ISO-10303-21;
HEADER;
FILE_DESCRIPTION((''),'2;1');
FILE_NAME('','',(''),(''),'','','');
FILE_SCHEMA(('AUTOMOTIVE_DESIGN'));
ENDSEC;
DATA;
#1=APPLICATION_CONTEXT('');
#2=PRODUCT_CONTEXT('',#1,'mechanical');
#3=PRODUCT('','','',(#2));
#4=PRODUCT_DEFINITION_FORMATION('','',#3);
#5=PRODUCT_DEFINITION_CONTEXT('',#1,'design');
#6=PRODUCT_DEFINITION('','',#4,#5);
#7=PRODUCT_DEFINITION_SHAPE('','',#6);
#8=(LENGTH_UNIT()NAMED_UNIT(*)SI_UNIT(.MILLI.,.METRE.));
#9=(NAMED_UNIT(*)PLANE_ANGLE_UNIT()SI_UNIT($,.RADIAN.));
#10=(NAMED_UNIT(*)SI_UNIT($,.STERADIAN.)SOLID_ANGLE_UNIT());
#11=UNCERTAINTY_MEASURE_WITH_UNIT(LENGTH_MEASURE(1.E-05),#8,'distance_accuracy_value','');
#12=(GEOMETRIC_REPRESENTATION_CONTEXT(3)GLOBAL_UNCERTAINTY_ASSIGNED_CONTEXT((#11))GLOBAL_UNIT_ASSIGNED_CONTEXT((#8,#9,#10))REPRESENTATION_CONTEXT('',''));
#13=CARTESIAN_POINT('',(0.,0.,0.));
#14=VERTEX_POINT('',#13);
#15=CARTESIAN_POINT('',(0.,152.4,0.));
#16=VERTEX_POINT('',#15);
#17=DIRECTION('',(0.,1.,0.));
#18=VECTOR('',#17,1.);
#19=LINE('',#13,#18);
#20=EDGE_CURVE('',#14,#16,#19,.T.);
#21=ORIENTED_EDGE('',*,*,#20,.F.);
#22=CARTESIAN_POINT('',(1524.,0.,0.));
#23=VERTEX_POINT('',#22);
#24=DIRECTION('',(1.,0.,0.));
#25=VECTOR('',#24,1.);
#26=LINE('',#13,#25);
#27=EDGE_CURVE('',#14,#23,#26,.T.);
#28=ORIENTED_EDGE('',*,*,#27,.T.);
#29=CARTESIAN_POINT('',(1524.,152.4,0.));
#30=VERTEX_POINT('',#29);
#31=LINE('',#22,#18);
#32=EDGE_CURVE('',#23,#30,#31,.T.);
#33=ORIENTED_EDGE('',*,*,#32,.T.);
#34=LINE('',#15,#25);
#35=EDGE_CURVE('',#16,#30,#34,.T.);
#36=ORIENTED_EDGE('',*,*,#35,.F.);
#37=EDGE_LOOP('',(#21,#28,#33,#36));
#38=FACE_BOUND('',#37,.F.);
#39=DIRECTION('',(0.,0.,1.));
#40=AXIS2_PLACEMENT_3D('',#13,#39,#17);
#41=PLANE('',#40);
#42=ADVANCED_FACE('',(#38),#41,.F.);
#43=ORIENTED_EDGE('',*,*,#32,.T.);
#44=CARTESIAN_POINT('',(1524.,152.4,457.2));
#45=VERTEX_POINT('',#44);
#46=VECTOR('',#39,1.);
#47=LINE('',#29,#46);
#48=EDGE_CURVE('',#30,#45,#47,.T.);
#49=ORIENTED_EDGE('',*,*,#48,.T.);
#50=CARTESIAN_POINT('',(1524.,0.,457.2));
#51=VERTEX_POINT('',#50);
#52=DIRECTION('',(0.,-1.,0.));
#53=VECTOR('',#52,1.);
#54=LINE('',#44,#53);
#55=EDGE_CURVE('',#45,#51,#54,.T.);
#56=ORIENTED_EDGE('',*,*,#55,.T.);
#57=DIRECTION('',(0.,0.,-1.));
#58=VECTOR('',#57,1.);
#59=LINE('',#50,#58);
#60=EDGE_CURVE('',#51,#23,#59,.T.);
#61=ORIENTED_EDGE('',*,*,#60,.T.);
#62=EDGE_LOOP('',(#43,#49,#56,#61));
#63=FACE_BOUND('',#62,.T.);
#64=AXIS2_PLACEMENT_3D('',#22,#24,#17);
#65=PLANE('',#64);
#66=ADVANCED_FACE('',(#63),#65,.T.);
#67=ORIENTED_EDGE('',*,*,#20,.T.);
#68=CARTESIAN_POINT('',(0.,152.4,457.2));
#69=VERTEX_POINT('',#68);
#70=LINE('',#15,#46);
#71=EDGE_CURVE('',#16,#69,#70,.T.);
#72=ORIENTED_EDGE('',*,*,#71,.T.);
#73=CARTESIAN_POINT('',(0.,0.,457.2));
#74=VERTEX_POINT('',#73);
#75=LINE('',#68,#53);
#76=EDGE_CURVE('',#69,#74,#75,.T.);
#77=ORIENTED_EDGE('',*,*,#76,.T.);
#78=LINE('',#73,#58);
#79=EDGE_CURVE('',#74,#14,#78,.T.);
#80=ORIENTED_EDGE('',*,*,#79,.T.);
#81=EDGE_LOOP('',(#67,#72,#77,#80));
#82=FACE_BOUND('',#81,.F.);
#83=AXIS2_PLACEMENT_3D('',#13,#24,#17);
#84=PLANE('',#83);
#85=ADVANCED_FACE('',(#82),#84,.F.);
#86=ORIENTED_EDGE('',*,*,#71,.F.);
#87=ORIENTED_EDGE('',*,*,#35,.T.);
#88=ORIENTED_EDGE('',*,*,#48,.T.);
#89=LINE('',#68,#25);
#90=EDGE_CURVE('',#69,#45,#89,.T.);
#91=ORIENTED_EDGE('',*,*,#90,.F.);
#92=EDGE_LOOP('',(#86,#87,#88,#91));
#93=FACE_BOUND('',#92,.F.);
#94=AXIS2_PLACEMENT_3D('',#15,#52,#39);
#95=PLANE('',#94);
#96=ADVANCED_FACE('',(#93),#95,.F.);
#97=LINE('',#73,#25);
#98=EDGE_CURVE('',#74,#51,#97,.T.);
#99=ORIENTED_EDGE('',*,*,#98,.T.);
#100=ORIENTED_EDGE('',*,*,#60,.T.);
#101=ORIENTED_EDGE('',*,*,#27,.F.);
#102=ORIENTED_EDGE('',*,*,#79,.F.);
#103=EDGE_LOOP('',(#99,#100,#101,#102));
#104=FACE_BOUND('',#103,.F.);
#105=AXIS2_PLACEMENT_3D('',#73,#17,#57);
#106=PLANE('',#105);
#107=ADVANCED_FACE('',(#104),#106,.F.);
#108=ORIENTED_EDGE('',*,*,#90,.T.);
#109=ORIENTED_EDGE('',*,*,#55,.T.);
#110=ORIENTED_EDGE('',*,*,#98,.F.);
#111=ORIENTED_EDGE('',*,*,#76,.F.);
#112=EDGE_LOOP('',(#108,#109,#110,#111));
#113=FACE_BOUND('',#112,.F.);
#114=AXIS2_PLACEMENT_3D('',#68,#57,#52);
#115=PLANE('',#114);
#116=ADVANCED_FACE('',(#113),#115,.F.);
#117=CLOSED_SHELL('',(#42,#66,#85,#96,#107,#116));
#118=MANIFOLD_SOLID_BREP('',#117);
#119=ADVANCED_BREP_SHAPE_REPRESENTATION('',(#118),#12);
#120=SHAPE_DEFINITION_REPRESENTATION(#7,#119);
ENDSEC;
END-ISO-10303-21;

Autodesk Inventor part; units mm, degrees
ref_plane "YZ Plane" through (0, 0, 0) normal (1, 0, 0) x (0, 1, 0)
ref_plane "XZ Plane" through (0, 0, 0) normal (0, 1, 0) x (-1, 0, 0)
ref_plane "XY Plane" through (0, 0, 0) normal (0, 0, 1) x (1, 0, 0)
sketch "Sketch1" plane through (0, 0, 0) normal (1, 0, 0) x (0, 1, 0)
  line L0 (0, 0) -> (152.4, 0)
  line L1 (152.4, 0) -> (152.4, 457.2)
  line L2 (152.4, 457.2) -> (0, 457.2)
  line L3 (0, 457.2) -> (0, 0)
  dimension "d0" = 152.4
  dimension "d1" = 457.2
extrude "Extrusion1" add sketch "Sketch1" along normal blind 1524
properties part number "6x18x60" material "Limestone"
